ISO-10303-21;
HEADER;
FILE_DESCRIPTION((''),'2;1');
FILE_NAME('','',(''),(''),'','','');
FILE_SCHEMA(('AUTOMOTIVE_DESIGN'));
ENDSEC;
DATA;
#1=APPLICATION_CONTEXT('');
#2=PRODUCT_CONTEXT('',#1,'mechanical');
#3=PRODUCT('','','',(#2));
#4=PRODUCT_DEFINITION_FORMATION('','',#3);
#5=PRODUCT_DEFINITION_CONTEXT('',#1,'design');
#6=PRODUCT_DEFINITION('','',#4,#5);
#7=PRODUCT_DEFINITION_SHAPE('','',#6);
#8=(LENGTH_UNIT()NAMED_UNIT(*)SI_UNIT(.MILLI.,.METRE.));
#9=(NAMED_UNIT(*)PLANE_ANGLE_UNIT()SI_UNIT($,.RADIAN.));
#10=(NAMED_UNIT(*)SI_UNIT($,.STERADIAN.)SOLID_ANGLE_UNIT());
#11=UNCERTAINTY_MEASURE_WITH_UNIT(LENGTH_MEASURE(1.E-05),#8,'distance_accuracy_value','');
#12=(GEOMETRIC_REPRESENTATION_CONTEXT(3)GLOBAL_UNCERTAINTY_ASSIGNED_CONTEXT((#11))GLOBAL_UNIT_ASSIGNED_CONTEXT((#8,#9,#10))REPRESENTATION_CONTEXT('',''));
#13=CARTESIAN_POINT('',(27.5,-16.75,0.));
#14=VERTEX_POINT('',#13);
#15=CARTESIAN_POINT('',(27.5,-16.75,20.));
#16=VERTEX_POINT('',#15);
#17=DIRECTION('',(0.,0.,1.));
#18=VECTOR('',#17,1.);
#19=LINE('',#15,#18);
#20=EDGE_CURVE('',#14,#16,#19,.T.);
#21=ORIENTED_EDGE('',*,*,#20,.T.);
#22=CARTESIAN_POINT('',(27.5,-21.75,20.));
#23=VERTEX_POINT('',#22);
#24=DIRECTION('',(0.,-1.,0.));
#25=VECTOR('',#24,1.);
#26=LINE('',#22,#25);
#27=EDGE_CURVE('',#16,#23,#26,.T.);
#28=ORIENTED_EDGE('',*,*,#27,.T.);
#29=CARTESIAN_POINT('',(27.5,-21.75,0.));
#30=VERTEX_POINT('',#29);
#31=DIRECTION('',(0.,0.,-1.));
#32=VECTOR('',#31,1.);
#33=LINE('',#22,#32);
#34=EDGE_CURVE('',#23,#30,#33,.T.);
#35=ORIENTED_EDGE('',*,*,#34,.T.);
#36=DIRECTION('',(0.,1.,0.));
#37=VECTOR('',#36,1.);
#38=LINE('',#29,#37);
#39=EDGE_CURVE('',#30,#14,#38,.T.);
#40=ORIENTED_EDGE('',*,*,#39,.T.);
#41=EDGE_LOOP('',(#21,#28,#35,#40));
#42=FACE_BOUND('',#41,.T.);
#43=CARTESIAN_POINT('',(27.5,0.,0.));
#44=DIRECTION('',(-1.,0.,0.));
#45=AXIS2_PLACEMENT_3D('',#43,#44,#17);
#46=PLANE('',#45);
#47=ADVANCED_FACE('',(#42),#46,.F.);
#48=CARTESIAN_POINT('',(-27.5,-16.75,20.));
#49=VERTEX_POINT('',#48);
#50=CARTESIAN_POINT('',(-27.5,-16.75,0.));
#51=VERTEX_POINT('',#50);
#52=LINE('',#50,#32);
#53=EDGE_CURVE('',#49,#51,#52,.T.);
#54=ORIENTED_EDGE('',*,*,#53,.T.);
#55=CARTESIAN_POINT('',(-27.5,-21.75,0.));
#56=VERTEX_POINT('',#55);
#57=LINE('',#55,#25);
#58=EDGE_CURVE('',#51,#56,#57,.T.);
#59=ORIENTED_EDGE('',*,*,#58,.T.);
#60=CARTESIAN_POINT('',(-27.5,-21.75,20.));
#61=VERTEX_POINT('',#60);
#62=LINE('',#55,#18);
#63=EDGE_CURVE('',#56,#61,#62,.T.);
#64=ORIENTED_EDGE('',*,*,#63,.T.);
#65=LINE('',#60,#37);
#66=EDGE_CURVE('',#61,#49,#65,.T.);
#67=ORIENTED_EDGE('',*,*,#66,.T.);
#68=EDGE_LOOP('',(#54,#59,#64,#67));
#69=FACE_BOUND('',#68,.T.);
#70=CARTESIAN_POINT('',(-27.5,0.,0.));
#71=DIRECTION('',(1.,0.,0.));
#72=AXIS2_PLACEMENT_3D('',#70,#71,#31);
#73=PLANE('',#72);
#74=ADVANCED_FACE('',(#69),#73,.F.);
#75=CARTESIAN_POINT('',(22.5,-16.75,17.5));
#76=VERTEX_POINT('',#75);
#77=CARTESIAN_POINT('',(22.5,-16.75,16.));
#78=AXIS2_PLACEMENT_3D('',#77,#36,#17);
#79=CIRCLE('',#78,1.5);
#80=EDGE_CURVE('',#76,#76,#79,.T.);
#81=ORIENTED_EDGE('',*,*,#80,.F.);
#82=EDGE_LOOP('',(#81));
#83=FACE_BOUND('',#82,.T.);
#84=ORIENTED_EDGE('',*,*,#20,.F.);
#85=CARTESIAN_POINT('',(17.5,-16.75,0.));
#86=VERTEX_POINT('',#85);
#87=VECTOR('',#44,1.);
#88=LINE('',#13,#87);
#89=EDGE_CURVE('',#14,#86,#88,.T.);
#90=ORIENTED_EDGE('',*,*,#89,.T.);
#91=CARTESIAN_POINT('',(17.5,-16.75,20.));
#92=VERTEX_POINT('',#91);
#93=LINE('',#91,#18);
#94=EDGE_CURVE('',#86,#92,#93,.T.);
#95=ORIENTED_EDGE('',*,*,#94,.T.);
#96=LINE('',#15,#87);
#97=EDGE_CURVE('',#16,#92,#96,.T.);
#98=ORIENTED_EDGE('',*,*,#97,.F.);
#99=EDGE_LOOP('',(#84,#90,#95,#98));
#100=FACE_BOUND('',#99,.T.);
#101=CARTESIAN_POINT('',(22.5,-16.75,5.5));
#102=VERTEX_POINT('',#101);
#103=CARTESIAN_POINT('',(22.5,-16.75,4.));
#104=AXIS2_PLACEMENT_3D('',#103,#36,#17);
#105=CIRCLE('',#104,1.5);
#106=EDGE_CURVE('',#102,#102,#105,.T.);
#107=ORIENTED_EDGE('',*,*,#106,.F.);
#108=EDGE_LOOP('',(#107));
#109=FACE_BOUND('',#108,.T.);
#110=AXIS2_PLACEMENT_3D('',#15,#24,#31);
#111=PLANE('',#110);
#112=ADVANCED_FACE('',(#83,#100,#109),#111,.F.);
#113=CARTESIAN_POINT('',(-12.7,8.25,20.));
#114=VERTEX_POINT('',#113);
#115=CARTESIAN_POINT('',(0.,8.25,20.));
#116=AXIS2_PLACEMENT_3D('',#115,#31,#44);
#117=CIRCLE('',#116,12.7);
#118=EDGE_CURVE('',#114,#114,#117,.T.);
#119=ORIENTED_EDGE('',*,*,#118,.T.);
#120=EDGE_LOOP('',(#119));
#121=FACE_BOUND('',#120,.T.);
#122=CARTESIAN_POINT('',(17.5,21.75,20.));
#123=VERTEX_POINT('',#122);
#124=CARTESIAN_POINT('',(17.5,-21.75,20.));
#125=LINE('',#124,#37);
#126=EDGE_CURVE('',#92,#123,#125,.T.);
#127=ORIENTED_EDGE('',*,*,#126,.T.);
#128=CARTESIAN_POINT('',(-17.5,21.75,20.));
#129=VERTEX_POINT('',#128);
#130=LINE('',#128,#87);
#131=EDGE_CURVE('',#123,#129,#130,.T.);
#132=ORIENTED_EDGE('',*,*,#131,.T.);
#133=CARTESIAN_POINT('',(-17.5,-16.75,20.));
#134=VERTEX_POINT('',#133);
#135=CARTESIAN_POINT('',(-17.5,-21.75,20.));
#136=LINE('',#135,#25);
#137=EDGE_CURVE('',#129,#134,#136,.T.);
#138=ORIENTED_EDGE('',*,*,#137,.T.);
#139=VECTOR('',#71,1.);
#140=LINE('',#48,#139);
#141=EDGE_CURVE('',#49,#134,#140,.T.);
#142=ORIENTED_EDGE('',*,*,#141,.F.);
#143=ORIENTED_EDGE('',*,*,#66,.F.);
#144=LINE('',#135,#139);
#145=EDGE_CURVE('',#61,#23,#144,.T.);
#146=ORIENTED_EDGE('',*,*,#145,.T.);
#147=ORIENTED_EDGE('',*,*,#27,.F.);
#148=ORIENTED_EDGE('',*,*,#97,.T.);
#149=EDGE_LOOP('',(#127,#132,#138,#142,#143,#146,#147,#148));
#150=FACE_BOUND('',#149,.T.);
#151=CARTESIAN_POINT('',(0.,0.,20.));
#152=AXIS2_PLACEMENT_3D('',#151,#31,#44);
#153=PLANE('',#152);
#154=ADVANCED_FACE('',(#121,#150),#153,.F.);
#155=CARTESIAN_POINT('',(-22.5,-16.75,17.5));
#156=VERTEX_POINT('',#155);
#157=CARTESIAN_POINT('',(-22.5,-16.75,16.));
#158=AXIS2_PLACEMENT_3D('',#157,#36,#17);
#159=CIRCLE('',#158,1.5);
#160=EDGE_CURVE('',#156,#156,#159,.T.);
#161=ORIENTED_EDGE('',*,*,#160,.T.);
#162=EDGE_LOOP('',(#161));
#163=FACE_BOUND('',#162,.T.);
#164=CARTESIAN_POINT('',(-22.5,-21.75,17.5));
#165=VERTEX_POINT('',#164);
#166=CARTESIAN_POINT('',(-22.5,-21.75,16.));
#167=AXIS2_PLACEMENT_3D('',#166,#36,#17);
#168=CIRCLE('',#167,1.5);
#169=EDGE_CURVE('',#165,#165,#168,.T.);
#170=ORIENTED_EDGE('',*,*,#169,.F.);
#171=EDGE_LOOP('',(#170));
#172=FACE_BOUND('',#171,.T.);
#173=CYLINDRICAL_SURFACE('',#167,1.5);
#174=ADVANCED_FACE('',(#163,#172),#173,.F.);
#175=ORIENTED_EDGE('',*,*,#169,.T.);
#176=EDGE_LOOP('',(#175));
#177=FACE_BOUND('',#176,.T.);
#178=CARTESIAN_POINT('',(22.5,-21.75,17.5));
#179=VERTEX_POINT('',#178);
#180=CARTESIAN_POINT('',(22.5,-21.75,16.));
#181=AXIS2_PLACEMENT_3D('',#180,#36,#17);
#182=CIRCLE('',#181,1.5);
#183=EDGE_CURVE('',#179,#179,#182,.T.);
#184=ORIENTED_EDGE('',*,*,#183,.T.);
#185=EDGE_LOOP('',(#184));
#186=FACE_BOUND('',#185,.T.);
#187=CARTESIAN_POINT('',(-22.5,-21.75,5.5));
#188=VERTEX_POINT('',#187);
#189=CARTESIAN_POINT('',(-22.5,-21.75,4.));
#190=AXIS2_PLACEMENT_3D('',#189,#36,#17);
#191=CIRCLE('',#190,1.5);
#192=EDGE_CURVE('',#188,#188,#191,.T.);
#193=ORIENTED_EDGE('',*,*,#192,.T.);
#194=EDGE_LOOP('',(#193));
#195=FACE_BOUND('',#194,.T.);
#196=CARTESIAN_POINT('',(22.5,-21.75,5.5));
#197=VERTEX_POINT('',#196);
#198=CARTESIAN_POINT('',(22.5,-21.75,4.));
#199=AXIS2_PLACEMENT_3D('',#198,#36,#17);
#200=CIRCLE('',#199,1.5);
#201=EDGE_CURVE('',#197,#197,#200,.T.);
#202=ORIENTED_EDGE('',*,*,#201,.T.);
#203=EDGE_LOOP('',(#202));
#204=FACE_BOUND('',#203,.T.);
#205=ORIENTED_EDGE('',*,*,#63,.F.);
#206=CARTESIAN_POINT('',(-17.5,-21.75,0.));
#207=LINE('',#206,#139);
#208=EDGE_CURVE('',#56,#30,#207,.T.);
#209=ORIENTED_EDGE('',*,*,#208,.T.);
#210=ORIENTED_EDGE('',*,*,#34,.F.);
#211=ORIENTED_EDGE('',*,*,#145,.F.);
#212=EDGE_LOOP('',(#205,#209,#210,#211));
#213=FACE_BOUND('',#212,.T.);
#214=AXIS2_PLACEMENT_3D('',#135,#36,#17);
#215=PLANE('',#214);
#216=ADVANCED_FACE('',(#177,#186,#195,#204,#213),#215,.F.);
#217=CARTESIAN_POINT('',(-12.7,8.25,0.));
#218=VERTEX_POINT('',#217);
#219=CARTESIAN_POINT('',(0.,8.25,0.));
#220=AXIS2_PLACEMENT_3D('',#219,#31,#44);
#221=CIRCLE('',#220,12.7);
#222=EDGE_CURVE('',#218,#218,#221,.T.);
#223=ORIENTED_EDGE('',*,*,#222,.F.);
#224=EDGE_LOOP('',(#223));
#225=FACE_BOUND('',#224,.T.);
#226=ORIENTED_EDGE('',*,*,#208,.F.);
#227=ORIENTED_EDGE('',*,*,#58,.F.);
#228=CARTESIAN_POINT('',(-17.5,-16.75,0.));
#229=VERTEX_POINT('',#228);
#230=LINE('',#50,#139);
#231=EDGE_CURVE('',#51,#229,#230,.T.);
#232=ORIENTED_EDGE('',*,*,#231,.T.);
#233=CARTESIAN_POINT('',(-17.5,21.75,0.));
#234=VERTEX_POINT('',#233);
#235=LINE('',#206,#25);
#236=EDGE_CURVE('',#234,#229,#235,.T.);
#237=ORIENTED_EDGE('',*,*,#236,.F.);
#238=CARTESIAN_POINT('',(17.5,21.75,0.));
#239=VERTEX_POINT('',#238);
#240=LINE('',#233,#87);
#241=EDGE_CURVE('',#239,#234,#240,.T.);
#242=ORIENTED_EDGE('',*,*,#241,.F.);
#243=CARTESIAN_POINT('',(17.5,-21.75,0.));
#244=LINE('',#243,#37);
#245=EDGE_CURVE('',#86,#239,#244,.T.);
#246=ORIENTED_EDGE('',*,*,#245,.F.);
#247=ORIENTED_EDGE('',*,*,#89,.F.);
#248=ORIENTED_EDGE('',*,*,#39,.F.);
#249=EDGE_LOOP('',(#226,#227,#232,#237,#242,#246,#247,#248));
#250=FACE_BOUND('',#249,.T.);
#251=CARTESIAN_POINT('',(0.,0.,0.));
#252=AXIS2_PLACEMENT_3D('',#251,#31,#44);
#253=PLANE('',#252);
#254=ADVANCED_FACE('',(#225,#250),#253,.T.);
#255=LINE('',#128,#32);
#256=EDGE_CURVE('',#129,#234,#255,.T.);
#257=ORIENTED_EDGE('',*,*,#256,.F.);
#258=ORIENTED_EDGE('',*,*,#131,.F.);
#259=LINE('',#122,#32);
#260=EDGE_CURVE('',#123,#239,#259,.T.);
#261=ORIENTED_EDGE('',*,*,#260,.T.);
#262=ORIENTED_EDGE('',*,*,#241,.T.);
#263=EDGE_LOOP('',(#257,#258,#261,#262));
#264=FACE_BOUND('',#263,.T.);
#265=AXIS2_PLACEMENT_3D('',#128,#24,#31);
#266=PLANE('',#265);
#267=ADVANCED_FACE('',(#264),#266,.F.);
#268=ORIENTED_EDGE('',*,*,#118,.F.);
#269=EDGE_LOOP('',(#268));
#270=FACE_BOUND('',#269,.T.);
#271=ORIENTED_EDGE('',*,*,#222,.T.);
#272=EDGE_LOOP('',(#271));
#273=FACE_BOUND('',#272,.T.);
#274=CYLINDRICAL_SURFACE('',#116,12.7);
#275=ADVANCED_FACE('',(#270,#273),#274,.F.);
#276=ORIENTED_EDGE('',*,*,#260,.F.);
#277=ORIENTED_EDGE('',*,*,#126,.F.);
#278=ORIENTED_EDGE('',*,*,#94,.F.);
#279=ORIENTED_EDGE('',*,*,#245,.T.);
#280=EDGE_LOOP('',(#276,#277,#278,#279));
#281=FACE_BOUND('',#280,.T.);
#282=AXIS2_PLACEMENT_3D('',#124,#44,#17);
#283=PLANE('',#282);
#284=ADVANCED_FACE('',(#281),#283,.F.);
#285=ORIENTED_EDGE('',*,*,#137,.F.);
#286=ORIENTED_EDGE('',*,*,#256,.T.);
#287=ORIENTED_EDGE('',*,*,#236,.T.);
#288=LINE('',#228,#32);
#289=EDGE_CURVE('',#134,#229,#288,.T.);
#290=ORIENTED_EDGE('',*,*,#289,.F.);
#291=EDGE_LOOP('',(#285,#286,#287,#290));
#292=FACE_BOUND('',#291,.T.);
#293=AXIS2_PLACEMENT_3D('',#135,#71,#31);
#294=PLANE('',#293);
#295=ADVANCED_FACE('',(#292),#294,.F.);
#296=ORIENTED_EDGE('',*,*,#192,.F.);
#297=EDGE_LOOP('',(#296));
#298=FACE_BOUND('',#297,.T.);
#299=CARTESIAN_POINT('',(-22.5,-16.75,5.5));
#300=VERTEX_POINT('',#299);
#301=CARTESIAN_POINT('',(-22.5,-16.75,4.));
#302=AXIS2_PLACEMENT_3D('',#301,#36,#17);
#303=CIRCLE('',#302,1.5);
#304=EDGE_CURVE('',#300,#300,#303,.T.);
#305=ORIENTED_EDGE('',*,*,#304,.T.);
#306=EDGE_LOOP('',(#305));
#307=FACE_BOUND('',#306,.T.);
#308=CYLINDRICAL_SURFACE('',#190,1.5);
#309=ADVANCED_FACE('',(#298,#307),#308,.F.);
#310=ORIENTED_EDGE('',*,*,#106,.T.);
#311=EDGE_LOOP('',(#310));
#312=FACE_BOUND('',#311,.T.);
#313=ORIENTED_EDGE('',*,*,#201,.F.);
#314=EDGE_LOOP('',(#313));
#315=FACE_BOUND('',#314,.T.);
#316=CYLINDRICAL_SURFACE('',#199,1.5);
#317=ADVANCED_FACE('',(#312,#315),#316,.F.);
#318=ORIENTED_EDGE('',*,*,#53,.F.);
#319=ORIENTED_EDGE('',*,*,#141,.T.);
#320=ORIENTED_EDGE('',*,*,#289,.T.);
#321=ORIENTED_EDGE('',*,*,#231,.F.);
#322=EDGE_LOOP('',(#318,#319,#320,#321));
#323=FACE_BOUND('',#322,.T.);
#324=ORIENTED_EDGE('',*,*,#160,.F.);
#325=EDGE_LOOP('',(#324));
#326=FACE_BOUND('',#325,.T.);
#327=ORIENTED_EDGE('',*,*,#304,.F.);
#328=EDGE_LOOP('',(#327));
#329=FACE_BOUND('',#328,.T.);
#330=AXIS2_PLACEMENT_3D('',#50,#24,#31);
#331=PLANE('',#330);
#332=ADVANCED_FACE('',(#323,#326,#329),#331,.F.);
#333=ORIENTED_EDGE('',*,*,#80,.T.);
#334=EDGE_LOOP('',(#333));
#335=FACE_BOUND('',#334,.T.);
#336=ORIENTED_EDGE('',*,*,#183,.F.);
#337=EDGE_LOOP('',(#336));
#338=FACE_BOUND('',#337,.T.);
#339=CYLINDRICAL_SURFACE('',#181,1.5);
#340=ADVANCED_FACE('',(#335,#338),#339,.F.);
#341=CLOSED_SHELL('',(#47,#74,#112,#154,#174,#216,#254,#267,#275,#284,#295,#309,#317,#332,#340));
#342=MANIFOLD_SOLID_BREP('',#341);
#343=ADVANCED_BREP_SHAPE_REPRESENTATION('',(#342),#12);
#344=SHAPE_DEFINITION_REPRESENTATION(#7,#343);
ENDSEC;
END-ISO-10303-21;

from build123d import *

# Parameters (mm, degrees)
SKETCH_1_W          = 35
SKETCH_1_H          = 43.5
EXTRUDE_1_DEPTH     = 20
SKETCH_2_W          = 20
SKETCH_2_H          = 5
EXTRUDE_2_DEPTH     = 10
SKETCH_3_W          = 20
SKETCH_3_H          = 5
EXTRUDE_3_DEPTH     = 10
SKETCH_4_R          = 1.5
CUT_EXTRUDE_2_DEPTH = 5
SKETCH_5_R          = 12.7
CUT_EXTRUDE_3_DEPTH = 20


with BuildPart() as part:
    # Эскиз1 → Бобышка-Вытянуть1 (new body)
    with BuildSketch(Plane.XY):
        Rectangle(SKETCH_1_W, SKETCH_1_H)
    extrude(amount=EXTRUDE_1_DEPTH)

    # Эскиз2 → Бобышка-Вытянуть2 (add)
    with BuildSketch(Plane(origin=(17.5, 0, 0), x_dir=(0, 0, -1), z_dir=(1, 0, 0))):
        with Locations((-10, -19.25)):
            Rectangle(SKETCH_2_W, SKETCH_2_H)
    extrude(amount=EXTRUDE_2_DEPTH)

    # Эскиз3 → Бобышка-Вытянуть3 (add)
    with BuildSketch(Plane.ZY.offset(17.5)):
        with Locations((10, -19.25)):
            Rectangle(SKETCH_3_W, SKETCH_3_H)
    extrude(amount=EXTRUDE_3_DEPTH)

    # Эскиз4 → Вырез-Вытянуть2 (cut)
    with BuildSketch(Plane(origin=(0, -16.75, 0), x_dir=(1, 0, 0), z_dir=(0, 1, 0))):
        with Locations((-22.5, -16)):
            Circle(SKETCH_4_R)
        with Locations((-22.5, -4)):
            Circle(SKETCH_4_R)
        with Locations((22.5, -16)):
            Circle(SKETCH_4_R)
        with Locations((22.5, -4)):
            Circle(SKETCH_4_R)
    extrude(amount=-CUT_EXTRUDE_2_DEPTH, mode=Mode.SUBTRACT)

    # Эскиз5 → Вырез-Вытянуть3 (cut)
    with BuildSketch(Plane(origin=(0, 0, 0), x_dir=(-1, 0, 0), z_dir=(0, 0, -1))):
        with Locations((0, 8.25)):
            Circle(SKETCH_5_R)
    extrude(amount=-CUT_EXTRUDE_3_DEPTH, mode=Mode.SUBTRACT)


solid = part.part
